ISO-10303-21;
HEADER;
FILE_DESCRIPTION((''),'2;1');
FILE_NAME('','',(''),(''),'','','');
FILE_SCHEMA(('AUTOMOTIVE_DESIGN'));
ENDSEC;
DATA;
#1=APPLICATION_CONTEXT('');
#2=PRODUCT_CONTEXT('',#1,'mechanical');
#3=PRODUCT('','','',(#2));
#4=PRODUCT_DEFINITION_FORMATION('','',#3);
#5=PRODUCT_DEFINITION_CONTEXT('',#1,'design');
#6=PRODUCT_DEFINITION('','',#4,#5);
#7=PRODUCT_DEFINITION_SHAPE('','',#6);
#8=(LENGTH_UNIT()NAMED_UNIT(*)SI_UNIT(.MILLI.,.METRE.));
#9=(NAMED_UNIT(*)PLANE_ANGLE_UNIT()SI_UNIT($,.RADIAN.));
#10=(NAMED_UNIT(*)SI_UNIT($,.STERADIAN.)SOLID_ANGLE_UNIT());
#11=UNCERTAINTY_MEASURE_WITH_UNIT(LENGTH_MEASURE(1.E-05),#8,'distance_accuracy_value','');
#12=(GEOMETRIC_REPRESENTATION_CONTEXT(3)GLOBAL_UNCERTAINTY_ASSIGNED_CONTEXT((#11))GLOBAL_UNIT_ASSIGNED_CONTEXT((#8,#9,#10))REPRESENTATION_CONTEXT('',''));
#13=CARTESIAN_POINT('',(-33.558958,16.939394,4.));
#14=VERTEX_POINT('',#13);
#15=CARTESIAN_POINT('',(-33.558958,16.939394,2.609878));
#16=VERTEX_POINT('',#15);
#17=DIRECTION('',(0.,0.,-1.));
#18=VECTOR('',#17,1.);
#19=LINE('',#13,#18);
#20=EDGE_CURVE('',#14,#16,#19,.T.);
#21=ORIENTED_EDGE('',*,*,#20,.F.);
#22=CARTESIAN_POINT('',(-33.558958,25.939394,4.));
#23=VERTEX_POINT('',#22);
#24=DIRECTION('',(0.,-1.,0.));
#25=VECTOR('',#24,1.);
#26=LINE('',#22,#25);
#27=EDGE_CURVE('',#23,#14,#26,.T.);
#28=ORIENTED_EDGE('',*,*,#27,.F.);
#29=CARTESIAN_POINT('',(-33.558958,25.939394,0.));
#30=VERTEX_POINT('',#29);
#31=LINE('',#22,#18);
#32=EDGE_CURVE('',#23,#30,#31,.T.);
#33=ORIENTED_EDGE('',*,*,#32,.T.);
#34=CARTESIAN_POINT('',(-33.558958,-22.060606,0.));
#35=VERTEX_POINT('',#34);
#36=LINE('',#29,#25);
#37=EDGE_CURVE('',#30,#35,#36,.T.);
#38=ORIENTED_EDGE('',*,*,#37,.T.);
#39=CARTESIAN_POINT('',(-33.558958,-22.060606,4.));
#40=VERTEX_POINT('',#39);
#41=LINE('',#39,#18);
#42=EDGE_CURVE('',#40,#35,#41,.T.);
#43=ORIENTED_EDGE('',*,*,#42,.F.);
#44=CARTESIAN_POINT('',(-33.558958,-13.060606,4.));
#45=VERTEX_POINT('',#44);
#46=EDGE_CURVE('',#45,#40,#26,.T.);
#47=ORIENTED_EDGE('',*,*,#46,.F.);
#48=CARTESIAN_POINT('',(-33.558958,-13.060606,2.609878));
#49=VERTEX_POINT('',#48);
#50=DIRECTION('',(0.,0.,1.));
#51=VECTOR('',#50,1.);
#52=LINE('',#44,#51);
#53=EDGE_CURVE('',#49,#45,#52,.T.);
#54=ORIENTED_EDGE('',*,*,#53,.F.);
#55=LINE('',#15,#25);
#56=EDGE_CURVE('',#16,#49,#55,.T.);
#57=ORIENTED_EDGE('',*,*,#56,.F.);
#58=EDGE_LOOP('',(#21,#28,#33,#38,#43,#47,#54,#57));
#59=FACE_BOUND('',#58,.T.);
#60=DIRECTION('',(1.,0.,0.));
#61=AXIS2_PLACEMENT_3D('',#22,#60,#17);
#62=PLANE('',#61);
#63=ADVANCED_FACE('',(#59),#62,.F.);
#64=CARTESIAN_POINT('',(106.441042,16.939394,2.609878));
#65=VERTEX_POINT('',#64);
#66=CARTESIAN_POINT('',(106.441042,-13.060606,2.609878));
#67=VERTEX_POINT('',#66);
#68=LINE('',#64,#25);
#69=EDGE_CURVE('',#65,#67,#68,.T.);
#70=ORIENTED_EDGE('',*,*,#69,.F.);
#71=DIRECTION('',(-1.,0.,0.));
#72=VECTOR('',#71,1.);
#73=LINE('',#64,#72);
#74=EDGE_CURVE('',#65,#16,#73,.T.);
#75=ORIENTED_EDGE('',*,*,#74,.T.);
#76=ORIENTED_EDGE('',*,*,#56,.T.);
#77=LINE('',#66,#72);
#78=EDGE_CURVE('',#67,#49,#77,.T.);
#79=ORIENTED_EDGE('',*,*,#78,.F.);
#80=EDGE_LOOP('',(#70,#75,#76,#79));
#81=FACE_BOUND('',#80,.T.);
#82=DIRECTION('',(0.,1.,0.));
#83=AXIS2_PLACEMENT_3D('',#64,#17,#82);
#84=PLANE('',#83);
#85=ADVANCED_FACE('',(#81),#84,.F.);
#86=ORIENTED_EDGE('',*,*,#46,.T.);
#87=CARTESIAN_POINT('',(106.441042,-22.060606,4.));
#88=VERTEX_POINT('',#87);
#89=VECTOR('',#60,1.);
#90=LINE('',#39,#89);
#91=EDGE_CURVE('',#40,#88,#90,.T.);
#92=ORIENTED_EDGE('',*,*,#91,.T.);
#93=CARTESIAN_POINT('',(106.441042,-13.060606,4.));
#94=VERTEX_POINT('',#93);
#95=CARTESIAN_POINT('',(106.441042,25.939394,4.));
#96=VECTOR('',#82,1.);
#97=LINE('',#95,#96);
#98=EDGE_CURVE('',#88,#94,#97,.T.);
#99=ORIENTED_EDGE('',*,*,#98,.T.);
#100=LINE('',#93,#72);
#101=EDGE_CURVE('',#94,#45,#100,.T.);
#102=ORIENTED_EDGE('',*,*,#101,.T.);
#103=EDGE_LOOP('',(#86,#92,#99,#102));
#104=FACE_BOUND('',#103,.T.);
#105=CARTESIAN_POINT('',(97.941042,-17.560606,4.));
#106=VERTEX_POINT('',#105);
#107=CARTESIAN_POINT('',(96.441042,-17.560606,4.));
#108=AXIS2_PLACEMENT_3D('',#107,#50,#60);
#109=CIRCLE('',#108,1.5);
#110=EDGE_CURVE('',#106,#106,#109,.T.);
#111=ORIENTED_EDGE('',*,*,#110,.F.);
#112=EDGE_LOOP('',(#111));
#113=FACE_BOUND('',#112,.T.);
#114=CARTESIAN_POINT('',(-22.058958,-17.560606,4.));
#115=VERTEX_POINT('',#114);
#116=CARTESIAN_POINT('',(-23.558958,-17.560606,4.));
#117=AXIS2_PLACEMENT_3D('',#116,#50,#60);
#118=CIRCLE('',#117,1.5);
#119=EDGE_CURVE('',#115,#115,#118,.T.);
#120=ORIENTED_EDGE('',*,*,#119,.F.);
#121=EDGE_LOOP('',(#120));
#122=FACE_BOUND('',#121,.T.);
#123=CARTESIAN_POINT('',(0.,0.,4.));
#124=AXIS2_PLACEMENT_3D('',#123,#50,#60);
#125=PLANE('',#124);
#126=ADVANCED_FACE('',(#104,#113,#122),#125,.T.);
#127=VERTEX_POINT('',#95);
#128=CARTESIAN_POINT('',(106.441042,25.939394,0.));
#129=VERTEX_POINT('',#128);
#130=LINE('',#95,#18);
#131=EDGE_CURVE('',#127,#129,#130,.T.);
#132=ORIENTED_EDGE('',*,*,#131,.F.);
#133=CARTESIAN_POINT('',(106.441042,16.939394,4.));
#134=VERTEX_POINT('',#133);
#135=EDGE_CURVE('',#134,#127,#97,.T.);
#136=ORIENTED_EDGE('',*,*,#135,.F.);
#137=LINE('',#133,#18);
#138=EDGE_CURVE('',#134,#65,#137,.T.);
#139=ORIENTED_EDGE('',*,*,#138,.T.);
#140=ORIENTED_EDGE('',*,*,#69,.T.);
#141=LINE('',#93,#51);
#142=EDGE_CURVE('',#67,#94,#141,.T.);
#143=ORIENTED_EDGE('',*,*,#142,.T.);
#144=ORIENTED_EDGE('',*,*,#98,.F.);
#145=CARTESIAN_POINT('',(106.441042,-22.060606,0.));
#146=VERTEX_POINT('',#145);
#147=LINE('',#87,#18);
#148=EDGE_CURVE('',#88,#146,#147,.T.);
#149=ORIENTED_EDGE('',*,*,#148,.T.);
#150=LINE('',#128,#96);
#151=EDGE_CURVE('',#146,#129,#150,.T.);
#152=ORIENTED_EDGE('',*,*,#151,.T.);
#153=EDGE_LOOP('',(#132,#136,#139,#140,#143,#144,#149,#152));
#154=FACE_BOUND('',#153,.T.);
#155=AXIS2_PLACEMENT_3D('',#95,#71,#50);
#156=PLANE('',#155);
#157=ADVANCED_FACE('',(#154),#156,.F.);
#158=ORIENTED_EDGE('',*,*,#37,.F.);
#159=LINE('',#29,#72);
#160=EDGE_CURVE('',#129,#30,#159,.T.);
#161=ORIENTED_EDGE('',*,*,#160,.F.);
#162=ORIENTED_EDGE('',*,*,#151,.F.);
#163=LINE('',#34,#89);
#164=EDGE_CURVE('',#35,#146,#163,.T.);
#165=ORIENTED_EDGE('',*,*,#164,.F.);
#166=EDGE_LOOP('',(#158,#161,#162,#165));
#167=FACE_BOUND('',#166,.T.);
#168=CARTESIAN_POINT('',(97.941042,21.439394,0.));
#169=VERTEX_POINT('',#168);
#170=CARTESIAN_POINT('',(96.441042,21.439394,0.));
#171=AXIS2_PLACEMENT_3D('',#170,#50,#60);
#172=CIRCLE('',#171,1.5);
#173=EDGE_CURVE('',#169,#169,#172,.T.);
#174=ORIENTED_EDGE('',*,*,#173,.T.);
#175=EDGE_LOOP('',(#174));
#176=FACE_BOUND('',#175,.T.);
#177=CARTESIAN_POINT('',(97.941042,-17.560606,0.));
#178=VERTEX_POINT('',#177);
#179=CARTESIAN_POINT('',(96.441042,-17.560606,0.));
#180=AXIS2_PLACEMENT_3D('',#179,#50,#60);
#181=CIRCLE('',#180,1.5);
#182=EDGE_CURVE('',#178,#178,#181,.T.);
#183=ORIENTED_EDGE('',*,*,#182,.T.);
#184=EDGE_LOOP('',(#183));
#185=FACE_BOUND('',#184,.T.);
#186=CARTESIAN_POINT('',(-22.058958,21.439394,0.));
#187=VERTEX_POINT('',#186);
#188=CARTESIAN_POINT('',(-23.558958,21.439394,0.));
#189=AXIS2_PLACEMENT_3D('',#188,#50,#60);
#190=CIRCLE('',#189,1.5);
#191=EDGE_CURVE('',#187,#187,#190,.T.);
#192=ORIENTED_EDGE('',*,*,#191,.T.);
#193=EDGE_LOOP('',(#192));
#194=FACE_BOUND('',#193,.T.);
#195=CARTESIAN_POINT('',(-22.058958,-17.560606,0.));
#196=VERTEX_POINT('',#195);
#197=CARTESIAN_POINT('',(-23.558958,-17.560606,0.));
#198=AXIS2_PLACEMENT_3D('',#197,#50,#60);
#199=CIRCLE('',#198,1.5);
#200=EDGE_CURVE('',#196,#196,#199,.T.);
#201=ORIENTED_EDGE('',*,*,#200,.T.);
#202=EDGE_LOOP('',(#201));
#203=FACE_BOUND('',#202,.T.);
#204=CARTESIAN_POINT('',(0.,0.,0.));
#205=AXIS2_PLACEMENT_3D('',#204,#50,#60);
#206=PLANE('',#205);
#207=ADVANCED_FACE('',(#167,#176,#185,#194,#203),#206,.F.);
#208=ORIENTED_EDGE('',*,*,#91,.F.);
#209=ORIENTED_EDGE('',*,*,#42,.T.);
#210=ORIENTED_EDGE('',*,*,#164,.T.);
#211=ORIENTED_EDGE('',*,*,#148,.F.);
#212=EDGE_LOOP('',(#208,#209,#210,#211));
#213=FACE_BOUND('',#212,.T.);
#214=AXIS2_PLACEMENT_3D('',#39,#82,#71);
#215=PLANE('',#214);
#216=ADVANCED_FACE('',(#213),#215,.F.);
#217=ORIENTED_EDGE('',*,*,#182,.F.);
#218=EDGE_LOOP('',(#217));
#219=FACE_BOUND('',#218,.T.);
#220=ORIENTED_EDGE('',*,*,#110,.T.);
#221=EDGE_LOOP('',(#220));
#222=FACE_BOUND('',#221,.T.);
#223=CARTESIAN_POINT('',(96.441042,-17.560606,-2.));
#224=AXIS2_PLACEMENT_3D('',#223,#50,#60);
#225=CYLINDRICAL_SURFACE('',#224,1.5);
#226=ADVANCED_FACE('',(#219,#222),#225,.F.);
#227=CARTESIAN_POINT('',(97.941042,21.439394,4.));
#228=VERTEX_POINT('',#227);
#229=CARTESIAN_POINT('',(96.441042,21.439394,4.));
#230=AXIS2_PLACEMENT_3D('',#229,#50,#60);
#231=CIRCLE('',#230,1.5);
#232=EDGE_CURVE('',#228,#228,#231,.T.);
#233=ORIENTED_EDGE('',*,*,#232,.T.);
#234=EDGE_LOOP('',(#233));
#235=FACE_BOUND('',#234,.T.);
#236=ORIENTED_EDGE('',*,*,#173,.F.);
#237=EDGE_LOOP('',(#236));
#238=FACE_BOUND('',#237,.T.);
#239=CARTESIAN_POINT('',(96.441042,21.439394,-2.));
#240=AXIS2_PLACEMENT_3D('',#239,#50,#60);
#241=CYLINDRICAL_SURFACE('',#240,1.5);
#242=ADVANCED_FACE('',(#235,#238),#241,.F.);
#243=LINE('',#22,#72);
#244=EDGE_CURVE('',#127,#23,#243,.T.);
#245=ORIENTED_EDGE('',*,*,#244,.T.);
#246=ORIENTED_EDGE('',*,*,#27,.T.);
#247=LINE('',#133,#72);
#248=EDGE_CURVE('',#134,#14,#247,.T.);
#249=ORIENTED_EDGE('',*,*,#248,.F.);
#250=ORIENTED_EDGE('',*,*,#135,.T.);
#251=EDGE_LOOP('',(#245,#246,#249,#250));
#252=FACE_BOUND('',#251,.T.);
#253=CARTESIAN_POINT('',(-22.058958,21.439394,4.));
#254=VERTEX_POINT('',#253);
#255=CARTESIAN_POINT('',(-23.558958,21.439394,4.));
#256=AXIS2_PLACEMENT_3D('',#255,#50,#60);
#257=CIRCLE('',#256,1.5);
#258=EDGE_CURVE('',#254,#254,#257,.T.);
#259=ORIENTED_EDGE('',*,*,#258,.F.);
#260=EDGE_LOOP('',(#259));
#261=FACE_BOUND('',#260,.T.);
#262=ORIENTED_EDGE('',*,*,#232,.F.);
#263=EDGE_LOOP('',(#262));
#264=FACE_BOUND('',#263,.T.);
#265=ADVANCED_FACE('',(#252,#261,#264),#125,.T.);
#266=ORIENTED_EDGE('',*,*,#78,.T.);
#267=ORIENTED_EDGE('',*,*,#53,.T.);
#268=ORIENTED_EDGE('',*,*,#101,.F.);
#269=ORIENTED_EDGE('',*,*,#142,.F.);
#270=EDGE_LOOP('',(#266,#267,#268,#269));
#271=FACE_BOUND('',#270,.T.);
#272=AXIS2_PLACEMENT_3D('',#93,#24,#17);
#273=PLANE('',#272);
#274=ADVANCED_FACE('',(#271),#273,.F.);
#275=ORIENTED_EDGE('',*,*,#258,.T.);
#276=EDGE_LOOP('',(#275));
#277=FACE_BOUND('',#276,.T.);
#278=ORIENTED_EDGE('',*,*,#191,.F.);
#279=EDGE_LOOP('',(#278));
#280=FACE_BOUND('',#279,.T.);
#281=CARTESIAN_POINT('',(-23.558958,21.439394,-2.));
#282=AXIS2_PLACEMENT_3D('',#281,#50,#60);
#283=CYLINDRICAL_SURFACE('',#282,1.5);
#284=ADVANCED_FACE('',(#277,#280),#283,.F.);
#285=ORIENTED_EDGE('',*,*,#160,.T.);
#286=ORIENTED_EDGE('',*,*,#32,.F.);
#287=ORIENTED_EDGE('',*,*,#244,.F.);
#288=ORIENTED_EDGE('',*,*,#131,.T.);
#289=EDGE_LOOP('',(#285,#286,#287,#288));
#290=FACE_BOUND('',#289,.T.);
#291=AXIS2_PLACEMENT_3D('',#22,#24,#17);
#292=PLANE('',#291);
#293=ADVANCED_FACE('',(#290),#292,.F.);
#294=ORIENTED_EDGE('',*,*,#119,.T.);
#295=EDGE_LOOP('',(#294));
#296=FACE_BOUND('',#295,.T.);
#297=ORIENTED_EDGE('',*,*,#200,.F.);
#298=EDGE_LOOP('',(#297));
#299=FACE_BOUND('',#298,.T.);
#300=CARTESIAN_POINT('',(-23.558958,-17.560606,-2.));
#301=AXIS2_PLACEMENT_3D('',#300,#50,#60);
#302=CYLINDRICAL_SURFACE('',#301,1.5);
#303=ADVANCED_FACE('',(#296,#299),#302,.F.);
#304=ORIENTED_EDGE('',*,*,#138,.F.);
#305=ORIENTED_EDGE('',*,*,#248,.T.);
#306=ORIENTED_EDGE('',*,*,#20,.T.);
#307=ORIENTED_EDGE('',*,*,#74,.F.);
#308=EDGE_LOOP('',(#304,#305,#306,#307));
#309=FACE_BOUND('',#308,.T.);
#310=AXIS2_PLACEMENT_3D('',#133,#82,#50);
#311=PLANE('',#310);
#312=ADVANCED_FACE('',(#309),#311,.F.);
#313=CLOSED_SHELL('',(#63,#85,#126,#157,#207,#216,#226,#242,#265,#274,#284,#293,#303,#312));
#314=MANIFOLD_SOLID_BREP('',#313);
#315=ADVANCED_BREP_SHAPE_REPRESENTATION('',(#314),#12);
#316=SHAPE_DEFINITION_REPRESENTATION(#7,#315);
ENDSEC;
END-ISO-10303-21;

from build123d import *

# Parameters (mm, degrees)
ESQUISSE1_W             = 140
ESQUISSE1_H             = 48
BOSS_EXTRU_1_DEPTH      = 4
ESQUISSE2_W             = 1.390122209
ESQUISSE2_H             = 30
ENL_V_MAT_EXTRU_1_DEPTH = 141
ESQUISSE4_R             = 1.5
ENL_V_MAT_EXTRU_3_DEPTH = 6


with BuildPart() as part:
    # Esquisse1 → Boss.-Extru.1 (new body)
    with BuildSketch(Plane.XY):
        with Locations((36.441041546, 1.939393939)):
            Rectangle(ESQUISSE1_W, ESQUISSE1_H)
    extrude(amount=BOSS_EXTRU_1_DEPTH)

    # Esquisse2 → Enlèv. mat.-Extru.1 (cut, through all)
    with BuildSketch(Plane.ZY.offset(33.558958454)):
        with Locations((3.304938896, 1.939393939)):
            Rectangle(ESQUISSE2_W, ESQUISSE2_H)
    extrude(amount=-ENL_V_MAT_EXTRU_1_DEPTH, mode=Mode.SUBTRACT)

    # Esquisse4 → Enlèv. mat.-Extru.3 (cut)
    with BuildSketch(Plane.XY.offset(4)):
        with Locations((-23.558958454, 21.439393939)):
            Circle(ESQUISSE4_R)
        with Locations((96.441041546, 21.439393939)):
            Circle(ESQUISSE4_R)
        with Locations((-23.558958454, -17.560606061)):
            Circle(ESQUISSE4_R)
        with Locations((96.441041546, -17.560606061)):
            Circle(ESQUISSE4_R)
    extrude(amount=-ENL_V_MAT_EXTRU_3_DEPTH, mode=Mode.SUBTRACT)


solid = part.part
